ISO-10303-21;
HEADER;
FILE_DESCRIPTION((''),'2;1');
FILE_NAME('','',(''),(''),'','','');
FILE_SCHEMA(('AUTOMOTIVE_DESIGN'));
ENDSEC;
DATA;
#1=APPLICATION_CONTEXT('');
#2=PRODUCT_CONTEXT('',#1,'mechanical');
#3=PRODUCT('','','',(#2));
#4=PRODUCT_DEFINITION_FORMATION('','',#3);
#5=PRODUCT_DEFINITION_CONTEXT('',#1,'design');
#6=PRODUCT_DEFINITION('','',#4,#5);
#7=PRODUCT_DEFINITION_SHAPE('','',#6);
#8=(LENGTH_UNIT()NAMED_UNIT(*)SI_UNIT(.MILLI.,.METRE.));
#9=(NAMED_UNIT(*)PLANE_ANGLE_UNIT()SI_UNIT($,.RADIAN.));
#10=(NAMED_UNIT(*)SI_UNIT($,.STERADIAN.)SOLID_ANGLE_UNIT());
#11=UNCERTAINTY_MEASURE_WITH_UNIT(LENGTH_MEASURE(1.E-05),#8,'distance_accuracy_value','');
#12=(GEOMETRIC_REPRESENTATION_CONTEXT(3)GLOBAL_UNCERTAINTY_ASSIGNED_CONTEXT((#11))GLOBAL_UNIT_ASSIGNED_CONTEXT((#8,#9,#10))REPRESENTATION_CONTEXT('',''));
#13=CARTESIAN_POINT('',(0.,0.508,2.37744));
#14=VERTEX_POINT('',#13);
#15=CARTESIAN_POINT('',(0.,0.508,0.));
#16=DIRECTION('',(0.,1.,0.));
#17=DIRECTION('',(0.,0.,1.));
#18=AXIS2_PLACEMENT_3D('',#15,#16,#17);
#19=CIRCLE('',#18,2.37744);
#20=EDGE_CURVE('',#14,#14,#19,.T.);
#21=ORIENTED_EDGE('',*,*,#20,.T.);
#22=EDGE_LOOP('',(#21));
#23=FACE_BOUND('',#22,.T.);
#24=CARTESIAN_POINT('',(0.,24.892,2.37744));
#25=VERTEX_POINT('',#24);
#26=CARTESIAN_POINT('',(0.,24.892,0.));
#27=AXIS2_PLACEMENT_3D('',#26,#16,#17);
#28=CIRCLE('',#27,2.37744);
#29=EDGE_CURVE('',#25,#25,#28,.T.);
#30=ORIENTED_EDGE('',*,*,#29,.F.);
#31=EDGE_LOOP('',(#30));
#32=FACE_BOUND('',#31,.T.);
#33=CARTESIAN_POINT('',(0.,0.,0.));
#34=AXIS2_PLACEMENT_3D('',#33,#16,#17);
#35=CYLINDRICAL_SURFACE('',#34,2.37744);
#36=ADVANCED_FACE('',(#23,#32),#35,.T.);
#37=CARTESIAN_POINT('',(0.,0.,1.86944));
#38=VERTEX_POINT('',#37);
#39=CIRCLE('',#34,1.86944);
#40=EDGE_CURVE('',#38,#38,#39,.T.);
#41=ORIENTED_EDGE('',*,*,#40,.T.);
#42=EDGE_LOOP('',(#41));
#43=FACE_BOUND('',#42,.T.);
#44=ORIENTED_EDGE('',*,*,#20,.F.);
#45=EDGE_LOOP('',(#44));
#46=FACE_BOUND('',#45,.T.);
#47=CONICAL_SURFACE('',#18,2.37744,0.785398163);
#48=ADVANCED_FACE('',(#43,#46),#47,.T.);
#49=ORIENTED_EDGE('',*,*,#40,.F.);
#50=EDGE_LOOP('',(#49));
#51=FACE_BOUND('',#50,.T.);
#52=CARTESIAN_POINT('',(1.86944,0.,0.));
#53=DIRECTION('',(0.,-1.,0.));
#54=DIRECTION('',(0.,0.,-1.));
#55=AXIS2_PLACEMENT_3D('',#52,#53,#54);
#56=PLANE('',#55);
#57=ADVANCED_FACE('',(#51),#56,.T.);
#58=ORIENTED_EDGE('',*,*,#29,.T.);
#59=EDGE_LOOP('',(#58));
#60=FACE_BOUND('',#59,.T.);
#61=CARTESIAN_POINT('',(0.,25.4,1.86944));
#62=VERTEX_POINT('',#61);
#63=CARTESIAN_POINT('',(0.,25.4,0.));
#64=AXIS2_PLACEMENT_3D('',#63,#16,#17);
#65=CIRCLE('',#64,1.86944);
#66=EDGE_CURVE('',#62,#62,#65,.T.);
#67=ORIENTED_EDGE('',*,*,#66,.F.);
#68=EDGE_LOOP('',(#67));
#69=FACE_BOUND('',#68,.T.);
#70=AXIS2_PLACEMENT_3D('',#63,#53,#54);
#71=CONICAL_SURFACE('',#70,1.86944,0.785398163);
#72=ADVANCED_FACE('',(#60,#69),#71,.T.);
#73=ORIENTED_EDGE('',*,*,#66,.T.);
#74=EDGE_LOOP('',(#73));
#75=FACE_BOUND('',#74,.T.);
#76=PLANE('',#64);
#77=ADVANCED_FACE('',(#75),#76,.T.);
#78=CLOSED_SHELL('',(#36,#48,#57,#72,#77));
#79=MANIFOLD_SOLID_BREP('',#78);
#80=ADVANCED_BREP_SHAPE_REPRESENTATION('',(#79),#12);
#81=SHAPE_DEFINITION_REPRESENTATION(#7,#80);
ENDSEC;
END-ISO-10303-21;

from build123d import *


with BuildPart() as part:
    # Sketch1 → Revolve1 (revolve)
    with BuildSketch(Plane(origin=(0, 0, 0), x_dir=(-1, 0, 0), z_dir=(0, 0, -1))):
        Polygon((-1.86944, 0), (0, 0), (0, 25.4), (-1.86944, 25.4), (-2.37744, 24.892), (-2.37744, 0.508), align=None)
    revolve(axis=Axis((0, 0, 0), (0, 1, 0)))


solid = part.part
